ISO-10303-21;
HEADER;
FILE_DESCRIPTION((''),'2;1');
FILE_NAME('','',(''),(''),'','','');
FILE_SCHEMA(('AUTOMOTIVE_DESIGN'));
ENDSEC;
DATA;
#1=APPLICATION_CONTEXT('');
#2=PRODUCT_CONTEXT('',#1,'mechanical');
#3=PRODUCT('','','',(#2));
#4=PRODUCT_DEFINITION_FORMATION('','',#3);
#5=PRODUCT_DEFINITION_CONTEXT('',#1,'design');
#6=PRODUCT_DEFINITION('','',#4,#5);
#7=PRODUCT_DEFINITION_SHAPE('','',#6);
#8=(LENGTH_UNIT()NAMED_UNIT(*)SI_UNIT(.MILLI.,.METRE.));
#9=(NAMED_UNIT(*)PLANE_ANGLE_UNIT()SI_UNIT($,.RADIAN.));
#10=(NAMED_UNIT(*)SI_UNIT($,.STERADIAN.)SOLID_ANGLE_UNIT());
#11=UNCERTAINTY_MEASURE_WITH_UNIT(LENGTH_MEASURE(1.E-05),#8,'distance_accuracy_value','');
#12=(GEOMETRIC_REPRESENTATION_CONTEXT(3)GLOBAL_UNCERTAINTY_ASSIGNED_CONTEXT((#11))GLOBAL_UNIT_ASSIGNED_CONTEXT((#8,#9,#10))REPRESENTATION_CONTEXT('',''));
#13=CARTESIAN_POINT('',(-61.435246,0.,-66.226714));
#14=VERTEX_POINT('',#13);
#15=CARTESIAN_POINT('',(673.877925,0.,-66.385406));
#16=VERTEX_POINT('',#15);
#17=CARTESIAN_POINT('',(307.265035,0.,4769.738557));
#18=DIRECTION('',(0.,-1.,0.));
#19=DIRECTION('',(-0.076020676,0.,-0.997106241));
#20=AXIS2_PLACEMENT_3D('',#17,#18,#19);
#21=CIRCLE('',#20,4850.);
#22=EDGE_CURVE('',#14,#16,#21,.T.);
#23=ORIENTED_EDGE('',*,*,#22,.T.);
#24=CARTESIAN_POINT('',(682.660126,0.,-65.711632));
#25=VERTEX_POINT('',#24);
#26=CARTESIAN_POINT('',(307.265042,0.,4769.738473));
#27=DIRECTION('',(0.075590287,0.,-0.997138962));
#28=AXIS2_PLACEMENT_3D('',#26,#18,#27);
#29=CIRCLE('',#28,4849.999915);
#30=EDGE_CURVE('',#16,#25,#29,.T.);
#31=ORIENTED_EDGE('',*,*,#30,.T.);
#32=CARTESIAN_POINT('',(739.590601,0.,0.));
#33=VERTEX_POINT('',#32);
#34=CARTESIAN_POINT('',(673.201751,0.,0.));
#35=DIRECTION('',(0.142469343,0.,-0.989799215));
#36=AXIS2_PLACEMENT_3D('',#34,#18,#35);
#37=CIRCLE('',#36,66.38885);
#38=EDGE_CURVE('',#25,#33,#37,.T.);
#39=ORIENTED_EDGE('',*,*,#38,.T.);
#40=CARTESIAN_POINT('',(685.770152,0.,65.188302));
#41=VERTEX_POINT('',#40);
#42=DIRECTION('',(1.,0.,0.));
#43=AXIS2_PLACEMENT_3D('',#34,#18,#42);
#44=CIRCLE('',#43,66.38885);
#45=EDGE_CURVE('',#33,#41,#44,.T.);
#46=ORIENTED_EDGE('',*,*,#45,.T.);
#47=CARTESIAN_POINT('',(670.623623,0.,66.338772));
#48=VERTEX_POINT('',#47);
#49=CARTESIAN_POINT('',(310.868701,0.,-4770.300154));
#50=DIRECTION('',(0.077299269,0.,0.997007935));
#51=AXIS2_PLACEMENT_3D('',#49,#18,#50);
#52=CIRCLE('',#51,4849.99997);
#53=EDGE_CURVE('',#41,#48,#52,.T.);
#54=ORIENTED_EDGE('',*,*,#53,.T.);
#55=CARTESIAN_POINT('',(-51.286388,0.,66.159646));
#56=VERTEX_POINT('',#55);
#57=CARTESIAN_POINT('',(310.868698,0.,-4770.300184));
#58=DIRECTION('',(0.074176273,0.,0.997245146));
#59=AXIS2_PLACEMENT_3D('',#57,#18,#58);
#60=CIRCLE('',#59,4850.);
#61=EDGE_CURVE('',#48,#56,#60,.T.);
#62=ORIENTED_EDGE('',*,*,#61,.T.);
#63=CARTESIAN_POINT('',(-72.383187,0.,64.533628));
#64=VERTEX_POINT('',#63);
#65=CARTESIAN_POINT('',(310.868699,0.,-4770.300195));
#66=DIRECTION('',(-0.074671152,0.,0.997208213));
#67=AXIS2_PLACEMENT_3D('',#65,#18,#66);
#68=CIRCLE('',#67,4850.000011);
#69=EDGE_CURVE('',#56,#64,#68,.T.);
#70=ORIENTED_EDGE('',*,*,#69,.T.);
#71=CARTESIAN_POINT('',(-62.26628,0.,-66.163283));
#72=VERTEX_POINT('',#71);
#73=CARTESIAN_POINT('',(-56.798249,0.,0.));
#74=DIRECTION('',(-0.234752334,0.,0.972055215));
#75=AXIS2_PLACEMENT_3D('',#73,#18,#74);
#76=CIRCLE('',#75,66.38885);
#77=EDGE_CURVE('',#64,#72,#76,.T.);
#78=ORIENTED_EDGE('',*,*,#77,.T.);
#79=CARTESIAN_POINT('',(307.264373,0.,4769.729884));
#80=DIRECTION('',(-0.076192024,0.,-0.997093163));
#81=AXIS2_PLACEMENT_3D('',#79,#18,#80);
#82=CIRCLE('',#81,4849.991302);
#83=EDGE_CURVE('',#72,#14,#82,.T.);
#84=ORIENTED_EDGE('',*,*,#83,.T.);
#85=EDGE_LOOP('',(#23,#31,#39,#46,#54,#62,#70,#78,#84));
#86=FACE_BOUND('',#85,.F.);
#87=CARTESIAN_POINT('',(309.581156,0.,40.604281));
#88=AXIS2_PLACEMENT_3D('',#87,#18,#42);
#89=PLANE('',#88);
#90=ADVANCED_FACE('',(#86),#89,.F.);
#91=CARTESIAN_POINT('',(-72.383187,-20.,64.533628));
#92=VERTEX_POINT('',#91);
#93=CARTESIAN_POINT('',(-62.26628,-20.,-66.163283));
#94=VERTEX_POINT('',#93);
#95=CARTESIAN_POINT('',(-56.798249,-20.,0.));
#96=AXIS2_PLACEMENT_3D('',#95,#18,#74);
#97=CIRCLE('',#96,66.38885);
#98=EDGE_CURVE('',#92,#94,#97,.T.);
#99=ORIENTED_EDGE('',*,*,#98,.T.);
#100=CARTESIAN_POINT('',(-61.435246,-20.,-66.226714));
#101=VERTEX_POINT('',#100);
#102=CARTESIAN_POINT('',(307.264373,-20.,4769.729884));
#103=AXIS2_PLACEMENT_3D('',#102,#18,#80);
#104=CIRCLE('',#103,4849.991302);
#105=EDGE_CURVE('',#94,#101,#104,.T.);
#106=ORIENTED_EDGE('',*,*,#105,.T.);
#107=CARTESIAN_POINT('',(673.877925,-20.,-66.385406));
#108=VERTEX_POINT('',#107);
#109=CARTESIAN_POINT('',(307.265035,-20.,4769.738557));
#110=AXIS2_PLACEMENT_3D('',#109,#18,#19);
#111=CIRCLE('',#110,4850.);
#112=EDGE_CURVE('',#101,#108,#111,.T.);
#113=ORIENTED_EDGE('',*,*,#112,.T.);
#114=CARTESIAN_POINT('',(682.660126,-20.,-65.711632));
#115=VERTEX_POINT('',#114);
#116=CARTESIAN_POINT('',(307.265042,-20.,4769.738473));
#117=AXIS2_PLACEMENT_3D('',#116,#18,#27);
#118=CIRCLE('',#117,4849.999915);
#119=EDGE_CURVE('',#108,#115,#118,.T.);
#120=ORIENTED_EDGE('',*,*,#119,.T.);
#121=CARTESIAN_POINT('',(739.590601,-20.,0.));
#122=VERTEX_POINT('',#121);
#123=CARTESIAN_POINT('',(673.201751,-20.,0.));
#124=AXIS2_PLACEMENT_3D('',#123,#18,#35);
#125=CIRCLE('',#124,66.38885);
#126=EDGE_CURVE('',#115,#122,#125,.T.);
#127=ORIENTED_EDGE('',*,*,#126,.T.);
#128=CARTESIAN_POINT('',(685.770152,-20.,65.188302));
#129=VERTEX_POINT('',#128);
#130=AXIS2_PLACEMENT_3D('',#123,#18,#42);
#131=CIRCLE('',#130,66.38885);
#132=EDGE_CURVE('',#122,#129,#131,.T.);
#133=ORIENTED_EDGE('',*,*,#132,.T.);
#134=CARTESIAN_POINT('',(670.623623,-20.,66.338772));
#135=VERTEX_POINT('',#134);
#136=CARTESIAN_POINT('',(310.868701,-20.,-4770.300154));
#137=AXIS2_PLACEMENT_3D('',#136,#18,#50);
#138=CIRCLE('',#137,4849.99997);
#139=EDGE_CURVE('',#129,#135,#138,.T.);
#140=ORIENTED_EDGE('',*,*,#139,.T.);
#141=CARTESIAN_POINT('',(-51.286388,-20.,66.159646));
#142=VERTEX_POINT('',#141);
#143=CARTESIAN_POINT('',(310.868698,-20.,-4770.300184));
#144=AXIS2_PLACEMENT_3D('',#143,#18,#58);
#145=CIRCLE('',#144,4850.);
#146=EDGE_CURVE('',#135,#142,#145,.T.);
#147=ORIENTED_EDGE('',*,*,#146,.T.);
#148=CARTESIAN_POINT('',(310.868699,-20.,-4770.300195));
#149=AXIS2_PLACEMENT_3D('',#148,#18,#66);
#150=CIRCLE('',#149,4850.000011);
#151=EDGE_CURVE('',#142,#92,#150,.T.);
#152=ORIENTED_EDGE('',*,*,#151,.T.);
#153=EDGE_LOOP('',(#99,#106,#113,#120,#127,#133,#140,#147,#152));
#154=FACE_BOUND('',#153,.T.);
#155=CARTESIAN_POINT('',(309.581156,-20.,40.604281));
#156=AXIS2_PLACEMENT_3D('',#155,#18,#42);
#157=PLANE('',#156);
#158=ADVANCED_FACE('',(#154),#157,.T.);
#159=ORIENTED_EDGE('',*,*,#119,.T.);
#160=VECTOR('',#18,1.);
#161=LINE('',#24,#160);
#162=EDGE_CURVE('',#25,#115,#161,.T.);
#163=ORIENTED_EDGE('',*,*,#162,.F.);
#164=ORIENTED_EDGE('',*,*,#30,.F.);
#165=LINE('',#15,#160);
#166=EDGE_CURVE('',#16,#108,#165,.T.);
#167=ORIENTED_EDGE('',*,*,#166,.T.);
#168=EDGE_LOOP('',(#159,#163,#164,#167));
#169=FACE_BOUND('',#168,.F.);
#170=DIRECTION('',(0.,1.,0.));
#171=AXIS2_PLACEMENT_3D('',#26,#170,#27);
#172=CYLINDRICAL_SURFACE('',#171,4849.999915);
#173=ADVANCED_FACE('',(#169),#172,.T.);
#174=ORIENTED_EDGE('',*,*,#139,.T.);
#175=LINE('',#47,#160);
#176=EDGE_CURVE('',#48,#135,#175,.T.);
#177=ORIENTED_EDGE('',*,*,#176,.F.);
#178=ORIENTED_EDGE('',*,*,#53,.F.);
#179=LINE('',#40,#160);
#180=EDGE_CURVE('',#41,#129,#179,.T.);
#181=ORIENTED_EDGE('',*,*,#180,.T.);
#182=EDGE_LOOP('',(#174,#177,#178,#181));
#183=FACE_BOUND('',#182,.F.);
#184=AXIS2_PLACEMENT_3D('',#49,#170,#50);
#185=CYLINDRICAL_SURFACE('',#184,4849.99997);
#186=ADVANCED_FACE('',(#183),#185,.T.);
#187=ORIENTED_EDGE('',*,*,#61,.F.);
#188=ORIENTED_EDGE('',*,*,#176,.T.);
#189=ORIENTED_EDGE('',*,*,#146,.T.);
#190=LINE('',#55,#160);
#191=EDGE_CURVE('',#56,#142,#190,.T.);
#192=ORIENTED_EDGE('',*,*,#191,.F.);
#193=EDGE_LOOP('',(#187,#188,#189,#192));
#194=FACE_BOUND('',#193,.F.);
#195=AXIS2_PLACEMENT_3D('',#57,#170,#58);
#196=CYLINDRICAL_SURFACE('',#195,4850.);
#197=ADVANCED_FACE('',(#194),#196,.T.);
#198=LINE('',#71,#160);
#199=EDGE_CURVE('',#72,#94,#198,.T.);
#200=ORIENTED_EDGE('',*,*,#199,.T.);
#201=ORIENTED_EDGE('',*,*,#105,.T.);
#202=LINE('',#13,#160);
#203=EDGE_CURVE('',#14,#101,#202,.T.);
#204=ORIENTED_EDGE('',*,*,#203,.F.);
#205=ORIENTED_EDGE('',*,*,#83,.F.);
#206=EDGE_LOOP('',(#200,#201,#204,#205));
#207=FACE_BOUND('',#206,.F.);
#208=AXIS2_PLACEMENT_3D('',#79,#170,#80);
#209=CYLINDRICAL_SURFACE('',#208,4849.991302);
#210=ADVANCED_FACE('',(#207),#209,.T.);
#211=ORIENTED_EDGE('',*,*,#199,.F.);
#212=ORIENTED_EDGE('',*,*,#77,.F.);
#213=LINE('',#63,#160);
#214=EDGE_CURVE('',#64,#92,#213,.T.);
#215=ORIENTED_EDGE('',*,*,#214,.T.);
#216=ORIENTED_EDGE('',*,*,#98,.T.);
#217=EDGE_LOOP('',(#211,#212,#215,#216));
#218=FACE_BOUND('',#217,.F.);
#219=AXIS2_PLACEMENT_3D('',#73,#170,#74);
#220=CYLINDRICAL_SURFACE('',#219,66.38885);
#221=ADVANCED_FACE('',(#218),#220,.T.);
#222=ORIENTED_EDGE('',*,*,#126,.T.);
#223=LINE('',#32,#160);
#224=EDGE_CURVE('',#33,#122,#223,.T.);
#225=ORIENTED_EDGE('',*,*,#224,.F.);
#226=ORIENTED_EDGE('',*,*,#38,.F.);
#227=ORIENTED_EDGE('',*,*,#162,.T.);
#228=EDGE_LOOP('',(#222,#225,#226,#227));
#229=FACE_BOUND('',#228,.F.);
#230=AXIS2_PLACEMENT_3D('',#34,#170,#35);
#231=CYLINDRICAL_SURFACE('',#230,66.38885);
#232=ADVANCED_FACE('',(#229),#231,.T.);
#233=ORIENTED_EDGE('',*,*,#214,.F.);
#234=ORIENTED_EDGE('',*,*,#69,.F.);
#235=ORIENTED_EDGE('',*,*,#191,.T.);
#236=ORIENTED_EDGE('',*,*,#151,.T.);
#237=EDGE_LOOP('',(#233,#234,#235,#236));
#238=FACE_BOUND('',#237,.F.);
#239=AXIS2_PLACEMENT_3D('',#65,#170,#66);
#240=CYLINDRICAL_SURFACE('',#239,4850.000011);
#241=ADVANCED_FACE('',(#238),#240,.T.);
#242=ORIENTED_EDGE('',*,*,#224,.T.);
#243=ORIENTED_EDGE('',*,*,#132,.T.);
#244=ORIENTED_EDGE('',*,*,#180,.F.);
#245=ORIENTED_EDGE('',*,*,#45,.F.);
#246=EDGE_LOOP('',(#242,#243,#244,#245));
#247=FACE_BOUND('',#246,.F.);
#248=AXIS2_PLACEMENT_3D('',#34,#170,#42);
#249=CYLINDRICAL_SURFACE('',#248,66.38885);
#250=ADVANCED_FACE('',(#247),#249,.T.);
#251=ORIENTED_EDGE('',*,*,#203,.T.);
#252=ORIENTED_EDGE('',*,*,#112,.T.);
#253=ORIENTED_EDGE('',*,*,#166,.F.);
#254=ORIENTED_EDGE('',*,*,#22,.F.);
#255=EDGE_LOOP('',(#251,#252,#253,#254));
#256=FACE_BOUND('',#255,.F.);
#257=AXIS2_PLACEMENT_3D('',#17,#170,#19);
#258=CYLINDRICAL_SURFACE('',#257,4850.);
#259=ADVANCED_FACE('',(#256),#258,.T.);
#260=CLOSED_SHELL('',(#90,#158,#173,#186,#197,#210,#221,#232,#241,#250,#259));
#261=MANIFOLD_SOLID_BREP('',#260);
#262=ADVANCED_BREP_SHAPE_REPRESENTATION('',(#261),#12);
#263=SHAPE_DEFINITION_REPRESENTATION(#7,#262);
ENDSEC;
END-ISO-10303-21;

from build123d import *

# Parameters (mm, degrees)
F1_DEPTH = 20


with BuildPart() as f1:
    # F0 (on Front) → F1 (new body)
    with BuildSketch(Plane.XZ):
        with BuildLine():
            ThreePointArc((670.6236231078, 66.3387719466), (309.6652800425, 79.699666295), (-51.2863881664, 66.159646229))
            ThreePointArc((-51.2863881664, 66.159646229), (-7.9443574248, 44.95304923), (9.5906005169, 0))
            Line((9.5906005169, 0), (606.8129005169, 0))
            ThreePointArc((606.8129005169, 0), (625.3549203284, 46.0234749366), (670.6236231078, 66.3387719466))
        make_face()
        with BuildLine():
            ThreePointArc((9.5906005169, 0), (-11.5233416669, -48.5557630622), (-61.4352457375, -66.2267141723))
            ThreePointArc((-61.4352457375, -66.2267141723), (306.2183279395, -80.2613301697), (673.8779251557, -66.3854064699))
            ThreePointArc((673.8779251557, -66.3854064699), (626.4974201628, -47.1824642266), (606.8129005169, 0))
            Line((606.8129005169, 0), (9.5906005169, 0))
        make_face()
        with BuildLine():
            ThreePointArc((-51.2863881664, 66.159646229), (-61.8356743177, 65.3581420921), (-72.3831869864, 64.5336278799))
            ThreePointArc((-72.3831869864, 64.5336278799), (-122.9890910705, -5.1236602419), (-62.2662803124, -66.1632831952))
            ThreePointArc((-62.2662803124, -66.1632831952), (-61.8507643875, -66.195016535), (-61.4352457375, -66.2267141723))
            ThreePointArc((-61.4352457375, -66.2267141723), (-11.5233416669, -48.5557630622), (9.5906005169, 0))
            ThreePointArc((9.5906005169, 0), (-7.9443574248, 44.95304923), (-51.2863881664, 66.159646229))
        make_face()
        with BuildLine():
            ThreePointArc((685.7701519609, 65.1883017839), (678.1973379425, 65.7694667188), (670.6236231078, 66.3387719466))
            ThreePointArc((670.6236231078, 66.3387719466), (625.3549203284, 46.0234749366), (606.8129005169, 0))
            ThreePointArc((606.8129005169, 0), (626.4974201628, -47.1824642266), (673.8779251557, -66.3854064699))
            ThreePointArc((673.8779251557, -66.3854064699), (678.2691787155, -66.0505126994), (682.6601263672, -65.7116316233))
            ThreePointArc((682.6601263672, -65.7116316233), (723.3784886527, -43.4715349899), (739.5906005169, 0))
            ThreePointArc((739.5906005169, 0), (724.3968729532, 42.2674679045), (685.7701519609, 65.1883017839))
        make_face()
    extrude(amount=F1_DEPTH)


solid = f1.part
